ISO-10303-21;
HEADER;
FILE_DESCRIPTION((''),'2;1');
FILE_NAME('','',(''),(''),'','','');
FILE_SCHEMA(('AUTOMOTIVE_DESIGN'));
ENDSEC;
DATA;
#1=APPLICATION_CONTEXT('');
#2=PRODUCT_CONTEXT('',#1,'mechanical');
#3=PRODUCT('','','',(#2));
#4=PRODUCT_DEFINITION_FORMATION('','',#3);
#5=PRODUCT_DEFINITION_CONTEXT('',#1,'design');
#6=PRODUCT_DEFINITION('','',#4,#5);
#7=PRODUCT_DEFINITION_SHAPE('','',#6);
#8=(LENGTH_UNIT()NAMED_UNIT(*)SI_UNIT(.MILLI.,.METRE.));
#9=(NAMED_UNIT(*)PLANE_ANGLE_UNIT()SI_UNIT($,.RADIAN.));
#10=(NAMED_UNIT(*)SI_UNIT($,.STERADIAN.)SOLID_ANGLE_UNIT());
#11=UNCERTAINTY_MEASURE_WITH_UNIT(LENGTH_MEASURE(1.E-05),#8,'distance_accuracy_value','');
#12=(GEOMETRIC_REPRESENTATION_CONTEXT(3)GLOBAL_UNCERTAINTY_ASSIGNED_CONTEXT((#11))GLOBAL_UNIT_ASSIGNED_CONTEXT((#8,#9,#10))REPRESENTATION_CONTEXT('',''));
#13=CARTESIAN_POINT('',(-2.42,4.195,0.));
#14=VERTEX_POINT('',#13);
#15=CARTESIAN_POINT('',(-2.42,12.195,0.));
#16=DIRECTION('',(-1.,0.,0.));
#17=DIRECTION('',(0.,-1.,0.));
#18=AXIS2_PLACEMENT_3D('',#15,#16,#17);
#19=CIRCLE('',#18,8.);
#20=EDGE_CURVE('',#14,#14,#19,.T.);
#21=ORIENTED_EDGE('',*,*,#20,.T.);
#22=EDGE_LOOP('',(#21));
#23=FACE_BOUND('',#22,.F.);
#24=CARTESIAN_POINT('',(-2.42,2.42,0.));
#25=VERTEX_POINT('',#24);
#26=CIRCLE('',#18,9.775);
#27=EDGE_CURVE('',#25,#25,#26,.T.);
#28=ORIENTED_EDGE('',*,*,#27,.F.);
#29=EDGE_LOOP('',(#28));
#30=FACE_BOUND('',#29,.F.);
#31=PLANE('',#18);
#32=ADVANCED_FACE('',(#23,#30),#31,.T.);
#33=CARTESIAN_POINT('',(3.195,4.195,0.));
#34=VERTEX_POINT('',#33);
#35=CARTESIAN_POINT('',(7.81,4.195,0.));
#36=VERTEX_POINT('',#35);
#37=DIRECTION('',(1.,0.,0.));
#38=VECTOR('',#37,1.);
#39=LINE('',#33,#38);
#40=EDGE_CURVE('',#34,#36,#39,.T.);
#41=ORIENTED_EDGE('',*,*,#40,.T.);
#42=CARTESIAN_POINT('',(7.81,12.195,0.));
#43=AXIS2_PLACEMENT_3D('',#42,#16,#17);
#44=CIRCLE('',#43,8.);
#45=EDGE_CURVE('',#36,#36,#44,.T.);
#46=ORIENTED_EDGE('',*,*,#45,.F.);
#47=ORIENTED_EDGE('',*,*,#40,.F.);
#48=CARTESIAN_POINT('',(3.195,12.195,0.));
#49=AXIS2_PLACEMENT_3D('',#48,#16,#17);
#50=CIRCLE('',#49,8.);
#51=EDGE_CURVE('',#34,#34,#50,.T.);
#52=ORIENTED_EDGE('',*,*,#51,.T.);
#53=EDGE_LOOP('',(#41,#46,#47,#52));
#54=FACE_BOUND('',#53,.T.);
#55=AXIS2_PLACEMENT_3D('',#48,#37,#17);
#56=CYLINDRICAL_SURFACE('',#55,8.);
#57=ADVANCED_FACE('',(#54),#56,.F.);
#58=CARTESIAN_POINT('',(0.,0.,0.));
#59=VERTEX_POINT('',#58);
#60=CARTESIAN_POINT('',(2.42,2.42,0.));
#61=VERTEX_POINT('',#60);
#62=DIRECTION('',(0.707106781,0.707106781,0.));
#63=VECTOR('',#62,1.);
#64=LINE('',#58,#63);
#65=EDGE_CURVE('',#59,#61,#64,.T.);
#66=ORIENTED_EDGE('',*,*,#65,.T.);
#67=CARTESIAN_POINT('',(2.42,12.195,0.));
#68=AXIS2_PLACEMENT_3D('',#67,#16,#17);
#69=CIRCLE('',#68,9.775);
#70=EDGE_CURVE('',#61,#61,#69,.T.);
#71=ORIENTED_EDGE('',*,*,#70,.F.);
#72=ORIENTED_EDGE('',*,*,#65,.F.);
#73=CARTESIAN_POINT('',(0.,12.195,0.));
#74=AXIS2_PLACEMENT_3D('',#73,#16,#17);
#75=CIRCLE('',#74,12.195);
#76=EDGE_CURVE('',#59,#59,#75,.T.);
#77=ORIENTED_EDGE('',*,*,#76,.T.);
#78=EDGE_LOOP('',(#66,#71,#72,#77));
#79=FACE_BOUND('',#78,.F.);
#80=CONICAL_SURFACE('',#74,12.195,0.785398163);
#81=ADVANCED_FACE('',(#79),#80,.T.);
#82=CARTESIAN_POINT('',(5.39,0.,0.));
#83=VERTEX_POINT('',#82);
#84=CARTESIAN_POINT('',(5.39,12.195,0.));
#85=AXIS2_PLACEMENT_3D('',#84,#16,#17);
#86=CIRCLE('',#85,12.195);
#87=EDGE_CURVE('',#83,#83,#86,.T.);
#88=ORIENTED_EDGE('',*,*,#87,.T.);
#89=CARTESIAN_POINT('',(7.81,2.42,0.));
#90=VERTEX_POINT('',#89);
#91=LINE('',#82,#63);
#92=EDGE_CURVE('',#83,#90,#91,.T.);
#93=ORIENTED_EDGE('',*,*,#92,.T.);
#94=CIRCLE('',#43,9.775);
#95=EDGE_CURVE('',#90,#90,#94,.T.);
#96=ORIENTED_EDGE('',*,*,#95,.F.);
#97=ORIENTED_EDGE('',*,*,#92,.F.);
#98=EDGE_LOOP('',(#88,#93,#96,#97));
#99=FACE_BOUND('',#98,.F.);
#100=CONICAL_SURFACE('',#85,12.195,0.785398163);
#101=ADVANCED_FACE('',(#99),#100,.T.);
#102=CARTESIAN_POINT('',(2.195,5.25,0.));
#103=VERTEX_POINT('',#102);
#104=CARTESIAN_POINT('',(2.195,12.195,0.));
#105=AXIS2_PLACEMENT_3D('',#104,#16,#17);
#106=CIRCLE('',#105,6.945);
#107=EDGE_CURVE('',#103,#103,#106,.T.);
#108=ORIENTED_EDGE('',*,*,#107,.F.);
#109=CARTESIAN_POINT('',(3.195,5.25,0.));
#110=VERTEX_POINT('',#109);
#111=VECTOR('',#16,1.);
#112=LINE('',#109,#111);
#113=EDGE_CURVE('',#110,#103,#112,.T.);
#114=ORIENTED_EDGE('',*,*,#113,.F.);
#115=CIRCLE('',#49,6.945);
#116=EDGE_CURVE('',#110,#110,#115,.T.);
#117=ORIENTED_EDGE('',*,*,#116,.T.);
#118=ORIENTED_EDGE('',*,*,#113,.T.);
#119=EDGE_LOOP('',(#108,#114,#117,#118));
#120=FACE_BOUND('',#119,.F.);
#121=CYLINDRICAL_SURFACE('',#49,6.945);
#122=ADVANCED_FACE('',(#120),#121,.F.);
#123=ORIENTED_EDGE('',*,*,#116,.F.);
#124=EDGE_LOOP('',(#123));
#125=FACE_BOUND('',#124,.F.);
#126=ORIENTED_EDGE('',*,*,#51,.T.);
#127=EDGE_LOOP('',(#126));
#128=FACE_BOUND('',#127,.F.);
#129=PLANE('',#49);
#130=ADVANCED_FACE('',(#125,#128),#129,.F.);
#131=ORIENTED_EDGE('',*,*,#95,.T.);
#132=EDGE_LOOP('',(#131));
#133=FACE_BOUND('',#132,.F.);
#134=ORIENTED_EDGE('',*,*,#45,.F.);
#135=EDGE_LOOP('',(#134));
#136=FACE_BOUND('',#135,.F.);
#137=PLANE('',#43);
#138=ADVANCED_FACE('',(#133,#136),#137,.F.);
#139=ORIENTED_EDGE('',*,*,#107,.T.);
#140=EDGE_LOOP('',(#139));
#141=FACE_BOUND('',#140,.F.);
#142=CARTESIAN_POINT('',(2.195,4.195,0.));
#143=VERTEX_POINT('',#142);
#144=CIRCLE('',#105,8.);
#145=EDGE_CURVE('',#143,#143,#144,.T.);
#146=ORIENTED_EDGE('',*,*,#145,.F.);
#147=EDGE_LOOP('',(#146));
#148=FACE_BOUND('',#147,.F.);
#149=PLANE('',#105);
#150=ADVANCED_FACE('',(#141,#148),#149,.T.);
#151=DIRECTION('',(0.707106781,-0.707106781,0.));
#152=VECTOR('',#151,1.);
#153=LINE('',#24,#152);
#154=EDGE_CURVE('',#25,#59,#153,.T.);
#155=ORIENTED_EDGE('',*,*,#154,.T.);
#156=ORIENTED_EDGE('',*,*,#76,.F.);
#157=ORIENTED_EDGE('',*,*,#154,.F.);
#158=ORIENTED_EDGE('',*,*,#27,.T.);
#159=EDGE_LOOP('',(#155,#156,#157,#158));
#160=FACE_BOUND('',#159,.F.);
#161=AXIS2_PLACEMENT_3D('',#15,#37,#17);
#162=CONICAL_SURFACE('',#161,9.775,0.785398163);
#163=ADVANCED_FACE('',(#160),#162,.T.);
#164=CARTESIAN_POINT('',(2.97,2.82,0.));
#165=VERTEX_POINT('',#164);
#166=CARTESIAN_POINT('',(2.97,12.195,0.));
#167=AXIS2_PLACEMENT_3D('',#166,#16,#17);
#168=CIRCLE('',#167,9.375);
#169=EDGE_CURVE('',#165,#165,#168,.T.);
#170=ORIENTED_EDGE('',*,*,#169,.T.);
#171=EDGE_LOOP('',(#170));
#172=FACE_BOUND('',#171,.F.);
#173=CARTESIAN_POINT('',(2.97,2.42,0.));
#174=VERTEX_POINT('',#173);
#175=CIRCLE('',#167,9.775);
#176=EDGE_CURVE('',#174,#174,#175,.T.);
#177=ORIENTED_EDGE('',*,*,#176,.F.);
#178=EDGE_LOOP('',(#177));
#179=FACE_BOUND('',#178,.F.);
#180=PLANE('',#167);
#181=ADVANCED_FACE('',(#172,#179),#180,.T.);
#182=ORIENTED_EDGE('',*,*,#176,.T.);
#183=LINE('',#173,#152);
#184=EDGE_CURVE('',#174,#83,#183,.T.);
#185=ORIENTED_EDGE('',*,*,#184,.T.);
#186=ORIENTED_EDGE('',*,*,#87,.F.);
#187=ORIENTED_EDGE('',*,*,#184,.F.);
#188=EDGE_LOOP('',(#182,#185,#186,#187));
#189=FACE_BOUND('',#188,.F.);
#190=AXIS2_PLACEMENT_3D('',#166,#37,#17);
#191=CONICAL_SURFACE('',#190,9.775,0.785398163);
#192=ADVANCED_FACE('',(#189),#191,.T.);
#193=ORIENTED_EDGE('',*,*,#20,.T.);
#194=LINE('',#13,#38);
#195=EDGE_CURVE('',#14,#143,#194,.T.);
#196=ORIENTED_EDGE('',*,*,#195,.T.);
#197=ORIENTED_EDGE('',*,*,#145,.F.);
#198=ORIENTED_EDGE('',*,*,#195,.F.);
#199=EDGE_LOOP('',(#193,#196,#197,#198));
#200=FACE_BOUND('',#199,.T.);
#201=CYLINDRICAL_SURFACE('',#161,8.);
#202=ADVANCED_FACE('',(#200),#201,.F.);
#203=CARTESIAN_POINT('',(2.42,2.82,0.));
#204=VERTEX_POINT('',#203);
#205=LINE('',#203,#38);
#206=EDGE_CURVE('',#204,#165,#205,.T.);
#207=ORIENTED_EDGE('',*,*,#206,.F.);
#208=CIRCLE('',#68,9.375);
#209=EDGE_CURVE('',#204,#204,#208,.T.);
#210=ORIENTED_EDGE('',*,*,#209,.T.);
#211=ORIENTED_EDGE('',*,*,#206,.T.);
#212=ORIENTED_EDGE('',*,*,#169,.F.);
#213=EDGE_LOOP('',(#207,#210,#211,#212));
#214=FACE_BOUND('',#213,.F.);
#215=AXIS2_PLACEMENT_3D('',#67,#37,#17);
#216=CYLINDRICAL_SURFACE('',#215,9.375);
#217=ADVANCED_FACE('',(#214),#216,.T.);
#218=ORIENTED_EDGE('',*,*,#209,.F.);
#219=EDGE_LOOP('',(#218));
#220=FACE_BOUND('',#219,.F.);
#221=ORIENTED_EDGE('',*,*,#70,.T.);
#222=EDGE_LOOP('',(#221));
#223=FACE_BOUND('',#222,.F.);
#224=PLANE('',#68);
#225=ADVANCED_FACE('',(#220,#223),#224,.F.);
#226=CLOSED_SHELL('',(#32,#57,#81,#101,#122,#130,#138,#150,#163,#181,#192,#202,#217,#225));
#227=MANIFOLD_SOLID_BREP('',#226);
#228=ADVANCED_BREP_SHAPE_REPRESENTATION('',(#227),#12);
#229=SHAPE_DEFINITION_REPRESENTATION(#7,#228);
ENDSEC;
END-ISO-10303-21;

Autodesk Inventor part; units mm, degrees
ref_plane "YZ Plane" through (0, 0, 0) normal (1, 0, 0) x (0, 1, 0)
ref_plane "XZ Plane" through (0, 0, 0) normal (0, 1, 0) x (-1, 0, 0)
ref_plane "XY Plane" through (0, 0, 0) normal (0, 0, 1) x (1, 0, 0)
sketch "Sketch1" plane through (0, 0, 0) normal (0, 0, 1) x (1, 0, 0)
  line L0 (-2.42, 21.97) -> (-2.42, 2.42)
  line L1 (-2.42, 2.42) -> (0, 0)
  line L2 (0, 0) -> (2.42, 2.42)
  line L3 (2.42, 2.42) -> (2.42, 2.82)
  line L4 (2.42, 2.82) -> (2.97, 2.82)
  line L5 (2.97, 2.82) -> (2.97, 2.42)
  line L6 (2.97, 2.42) -> (5.39, 0)
  line L7 (5.39, 0) -> (7.81, 2.42)
  line L8 (7.81, 2.42) -> (7.81, 21.97)
  line L9 (7.81, 21.97) -> (5.39, 24.39)
  line L10 (5.39, 24.39) -> (2.97, 21.97)
  line L11 (2.97, 21.97) -> (2.97, 21.57)
  line L12 (2.97, 21.57) -> (2.42, 21.57)
  line L13 (2.42, 21.57) -> (2.42, 21.97)
  line L14 (2.42, 21.97) -> (0, 24.39)
  line L15 (0, 24.39) -> (-2.42, 21.97)
  line L16 (7.81, 12.195) -> (-2.42, 12.195)
  line L17 (-2.42, 20.195) -> (2.195, 20.195)
  line L18 (2.195, 20.195) -> (2.195, 19.14)
  line L19 (2.195, 19.14) -> (3.195, 19.14)
  line L20 (3.195, 19.14) -> (3.195, 20.195)
  line L21 (3.195, 20.195) -> (7.81, 20.195)
  line L22 (-2.42, 4.195) -> (2.195, 4.195)
  line L23 (3.195, 4.195) -> (7.81, 4.195)
  line L24 (3.195, 4.195) -> (3.195, 5.25)
  line L25 (3.195, 5.25) -> (2.195, 5.25)
  line L26 (2.195, 5.25) -> (2.195, 4.195)
  dimension "d0" = 24.39
  dimension "d2" = 10.23
  dimension "d3" = 5.39
  dimension "d4" = 18.75
  dimension "d7" = 90
  dimension "d8" = 12.195
  dimension "d15" = 1
  dimension "d17" = 13.89
  dimension "d18" = 16
  dimension "d19" = 8
revolve "Revolution1" add sketch "Sketch1" angle 360 about axis through (7.81, 12.195, 0) along (-1, 0, 0) contours L22 L26 L25 L24 L23 L8 L7 L6 L5 L4 L3 L2 L1 L0
equation "\"d8\" = 0.5 * d0"
equation "\"d19\" = 0.5 * d18"
properties part number "Rail_OpenVWheel" material "Acetal Resin, Black"
